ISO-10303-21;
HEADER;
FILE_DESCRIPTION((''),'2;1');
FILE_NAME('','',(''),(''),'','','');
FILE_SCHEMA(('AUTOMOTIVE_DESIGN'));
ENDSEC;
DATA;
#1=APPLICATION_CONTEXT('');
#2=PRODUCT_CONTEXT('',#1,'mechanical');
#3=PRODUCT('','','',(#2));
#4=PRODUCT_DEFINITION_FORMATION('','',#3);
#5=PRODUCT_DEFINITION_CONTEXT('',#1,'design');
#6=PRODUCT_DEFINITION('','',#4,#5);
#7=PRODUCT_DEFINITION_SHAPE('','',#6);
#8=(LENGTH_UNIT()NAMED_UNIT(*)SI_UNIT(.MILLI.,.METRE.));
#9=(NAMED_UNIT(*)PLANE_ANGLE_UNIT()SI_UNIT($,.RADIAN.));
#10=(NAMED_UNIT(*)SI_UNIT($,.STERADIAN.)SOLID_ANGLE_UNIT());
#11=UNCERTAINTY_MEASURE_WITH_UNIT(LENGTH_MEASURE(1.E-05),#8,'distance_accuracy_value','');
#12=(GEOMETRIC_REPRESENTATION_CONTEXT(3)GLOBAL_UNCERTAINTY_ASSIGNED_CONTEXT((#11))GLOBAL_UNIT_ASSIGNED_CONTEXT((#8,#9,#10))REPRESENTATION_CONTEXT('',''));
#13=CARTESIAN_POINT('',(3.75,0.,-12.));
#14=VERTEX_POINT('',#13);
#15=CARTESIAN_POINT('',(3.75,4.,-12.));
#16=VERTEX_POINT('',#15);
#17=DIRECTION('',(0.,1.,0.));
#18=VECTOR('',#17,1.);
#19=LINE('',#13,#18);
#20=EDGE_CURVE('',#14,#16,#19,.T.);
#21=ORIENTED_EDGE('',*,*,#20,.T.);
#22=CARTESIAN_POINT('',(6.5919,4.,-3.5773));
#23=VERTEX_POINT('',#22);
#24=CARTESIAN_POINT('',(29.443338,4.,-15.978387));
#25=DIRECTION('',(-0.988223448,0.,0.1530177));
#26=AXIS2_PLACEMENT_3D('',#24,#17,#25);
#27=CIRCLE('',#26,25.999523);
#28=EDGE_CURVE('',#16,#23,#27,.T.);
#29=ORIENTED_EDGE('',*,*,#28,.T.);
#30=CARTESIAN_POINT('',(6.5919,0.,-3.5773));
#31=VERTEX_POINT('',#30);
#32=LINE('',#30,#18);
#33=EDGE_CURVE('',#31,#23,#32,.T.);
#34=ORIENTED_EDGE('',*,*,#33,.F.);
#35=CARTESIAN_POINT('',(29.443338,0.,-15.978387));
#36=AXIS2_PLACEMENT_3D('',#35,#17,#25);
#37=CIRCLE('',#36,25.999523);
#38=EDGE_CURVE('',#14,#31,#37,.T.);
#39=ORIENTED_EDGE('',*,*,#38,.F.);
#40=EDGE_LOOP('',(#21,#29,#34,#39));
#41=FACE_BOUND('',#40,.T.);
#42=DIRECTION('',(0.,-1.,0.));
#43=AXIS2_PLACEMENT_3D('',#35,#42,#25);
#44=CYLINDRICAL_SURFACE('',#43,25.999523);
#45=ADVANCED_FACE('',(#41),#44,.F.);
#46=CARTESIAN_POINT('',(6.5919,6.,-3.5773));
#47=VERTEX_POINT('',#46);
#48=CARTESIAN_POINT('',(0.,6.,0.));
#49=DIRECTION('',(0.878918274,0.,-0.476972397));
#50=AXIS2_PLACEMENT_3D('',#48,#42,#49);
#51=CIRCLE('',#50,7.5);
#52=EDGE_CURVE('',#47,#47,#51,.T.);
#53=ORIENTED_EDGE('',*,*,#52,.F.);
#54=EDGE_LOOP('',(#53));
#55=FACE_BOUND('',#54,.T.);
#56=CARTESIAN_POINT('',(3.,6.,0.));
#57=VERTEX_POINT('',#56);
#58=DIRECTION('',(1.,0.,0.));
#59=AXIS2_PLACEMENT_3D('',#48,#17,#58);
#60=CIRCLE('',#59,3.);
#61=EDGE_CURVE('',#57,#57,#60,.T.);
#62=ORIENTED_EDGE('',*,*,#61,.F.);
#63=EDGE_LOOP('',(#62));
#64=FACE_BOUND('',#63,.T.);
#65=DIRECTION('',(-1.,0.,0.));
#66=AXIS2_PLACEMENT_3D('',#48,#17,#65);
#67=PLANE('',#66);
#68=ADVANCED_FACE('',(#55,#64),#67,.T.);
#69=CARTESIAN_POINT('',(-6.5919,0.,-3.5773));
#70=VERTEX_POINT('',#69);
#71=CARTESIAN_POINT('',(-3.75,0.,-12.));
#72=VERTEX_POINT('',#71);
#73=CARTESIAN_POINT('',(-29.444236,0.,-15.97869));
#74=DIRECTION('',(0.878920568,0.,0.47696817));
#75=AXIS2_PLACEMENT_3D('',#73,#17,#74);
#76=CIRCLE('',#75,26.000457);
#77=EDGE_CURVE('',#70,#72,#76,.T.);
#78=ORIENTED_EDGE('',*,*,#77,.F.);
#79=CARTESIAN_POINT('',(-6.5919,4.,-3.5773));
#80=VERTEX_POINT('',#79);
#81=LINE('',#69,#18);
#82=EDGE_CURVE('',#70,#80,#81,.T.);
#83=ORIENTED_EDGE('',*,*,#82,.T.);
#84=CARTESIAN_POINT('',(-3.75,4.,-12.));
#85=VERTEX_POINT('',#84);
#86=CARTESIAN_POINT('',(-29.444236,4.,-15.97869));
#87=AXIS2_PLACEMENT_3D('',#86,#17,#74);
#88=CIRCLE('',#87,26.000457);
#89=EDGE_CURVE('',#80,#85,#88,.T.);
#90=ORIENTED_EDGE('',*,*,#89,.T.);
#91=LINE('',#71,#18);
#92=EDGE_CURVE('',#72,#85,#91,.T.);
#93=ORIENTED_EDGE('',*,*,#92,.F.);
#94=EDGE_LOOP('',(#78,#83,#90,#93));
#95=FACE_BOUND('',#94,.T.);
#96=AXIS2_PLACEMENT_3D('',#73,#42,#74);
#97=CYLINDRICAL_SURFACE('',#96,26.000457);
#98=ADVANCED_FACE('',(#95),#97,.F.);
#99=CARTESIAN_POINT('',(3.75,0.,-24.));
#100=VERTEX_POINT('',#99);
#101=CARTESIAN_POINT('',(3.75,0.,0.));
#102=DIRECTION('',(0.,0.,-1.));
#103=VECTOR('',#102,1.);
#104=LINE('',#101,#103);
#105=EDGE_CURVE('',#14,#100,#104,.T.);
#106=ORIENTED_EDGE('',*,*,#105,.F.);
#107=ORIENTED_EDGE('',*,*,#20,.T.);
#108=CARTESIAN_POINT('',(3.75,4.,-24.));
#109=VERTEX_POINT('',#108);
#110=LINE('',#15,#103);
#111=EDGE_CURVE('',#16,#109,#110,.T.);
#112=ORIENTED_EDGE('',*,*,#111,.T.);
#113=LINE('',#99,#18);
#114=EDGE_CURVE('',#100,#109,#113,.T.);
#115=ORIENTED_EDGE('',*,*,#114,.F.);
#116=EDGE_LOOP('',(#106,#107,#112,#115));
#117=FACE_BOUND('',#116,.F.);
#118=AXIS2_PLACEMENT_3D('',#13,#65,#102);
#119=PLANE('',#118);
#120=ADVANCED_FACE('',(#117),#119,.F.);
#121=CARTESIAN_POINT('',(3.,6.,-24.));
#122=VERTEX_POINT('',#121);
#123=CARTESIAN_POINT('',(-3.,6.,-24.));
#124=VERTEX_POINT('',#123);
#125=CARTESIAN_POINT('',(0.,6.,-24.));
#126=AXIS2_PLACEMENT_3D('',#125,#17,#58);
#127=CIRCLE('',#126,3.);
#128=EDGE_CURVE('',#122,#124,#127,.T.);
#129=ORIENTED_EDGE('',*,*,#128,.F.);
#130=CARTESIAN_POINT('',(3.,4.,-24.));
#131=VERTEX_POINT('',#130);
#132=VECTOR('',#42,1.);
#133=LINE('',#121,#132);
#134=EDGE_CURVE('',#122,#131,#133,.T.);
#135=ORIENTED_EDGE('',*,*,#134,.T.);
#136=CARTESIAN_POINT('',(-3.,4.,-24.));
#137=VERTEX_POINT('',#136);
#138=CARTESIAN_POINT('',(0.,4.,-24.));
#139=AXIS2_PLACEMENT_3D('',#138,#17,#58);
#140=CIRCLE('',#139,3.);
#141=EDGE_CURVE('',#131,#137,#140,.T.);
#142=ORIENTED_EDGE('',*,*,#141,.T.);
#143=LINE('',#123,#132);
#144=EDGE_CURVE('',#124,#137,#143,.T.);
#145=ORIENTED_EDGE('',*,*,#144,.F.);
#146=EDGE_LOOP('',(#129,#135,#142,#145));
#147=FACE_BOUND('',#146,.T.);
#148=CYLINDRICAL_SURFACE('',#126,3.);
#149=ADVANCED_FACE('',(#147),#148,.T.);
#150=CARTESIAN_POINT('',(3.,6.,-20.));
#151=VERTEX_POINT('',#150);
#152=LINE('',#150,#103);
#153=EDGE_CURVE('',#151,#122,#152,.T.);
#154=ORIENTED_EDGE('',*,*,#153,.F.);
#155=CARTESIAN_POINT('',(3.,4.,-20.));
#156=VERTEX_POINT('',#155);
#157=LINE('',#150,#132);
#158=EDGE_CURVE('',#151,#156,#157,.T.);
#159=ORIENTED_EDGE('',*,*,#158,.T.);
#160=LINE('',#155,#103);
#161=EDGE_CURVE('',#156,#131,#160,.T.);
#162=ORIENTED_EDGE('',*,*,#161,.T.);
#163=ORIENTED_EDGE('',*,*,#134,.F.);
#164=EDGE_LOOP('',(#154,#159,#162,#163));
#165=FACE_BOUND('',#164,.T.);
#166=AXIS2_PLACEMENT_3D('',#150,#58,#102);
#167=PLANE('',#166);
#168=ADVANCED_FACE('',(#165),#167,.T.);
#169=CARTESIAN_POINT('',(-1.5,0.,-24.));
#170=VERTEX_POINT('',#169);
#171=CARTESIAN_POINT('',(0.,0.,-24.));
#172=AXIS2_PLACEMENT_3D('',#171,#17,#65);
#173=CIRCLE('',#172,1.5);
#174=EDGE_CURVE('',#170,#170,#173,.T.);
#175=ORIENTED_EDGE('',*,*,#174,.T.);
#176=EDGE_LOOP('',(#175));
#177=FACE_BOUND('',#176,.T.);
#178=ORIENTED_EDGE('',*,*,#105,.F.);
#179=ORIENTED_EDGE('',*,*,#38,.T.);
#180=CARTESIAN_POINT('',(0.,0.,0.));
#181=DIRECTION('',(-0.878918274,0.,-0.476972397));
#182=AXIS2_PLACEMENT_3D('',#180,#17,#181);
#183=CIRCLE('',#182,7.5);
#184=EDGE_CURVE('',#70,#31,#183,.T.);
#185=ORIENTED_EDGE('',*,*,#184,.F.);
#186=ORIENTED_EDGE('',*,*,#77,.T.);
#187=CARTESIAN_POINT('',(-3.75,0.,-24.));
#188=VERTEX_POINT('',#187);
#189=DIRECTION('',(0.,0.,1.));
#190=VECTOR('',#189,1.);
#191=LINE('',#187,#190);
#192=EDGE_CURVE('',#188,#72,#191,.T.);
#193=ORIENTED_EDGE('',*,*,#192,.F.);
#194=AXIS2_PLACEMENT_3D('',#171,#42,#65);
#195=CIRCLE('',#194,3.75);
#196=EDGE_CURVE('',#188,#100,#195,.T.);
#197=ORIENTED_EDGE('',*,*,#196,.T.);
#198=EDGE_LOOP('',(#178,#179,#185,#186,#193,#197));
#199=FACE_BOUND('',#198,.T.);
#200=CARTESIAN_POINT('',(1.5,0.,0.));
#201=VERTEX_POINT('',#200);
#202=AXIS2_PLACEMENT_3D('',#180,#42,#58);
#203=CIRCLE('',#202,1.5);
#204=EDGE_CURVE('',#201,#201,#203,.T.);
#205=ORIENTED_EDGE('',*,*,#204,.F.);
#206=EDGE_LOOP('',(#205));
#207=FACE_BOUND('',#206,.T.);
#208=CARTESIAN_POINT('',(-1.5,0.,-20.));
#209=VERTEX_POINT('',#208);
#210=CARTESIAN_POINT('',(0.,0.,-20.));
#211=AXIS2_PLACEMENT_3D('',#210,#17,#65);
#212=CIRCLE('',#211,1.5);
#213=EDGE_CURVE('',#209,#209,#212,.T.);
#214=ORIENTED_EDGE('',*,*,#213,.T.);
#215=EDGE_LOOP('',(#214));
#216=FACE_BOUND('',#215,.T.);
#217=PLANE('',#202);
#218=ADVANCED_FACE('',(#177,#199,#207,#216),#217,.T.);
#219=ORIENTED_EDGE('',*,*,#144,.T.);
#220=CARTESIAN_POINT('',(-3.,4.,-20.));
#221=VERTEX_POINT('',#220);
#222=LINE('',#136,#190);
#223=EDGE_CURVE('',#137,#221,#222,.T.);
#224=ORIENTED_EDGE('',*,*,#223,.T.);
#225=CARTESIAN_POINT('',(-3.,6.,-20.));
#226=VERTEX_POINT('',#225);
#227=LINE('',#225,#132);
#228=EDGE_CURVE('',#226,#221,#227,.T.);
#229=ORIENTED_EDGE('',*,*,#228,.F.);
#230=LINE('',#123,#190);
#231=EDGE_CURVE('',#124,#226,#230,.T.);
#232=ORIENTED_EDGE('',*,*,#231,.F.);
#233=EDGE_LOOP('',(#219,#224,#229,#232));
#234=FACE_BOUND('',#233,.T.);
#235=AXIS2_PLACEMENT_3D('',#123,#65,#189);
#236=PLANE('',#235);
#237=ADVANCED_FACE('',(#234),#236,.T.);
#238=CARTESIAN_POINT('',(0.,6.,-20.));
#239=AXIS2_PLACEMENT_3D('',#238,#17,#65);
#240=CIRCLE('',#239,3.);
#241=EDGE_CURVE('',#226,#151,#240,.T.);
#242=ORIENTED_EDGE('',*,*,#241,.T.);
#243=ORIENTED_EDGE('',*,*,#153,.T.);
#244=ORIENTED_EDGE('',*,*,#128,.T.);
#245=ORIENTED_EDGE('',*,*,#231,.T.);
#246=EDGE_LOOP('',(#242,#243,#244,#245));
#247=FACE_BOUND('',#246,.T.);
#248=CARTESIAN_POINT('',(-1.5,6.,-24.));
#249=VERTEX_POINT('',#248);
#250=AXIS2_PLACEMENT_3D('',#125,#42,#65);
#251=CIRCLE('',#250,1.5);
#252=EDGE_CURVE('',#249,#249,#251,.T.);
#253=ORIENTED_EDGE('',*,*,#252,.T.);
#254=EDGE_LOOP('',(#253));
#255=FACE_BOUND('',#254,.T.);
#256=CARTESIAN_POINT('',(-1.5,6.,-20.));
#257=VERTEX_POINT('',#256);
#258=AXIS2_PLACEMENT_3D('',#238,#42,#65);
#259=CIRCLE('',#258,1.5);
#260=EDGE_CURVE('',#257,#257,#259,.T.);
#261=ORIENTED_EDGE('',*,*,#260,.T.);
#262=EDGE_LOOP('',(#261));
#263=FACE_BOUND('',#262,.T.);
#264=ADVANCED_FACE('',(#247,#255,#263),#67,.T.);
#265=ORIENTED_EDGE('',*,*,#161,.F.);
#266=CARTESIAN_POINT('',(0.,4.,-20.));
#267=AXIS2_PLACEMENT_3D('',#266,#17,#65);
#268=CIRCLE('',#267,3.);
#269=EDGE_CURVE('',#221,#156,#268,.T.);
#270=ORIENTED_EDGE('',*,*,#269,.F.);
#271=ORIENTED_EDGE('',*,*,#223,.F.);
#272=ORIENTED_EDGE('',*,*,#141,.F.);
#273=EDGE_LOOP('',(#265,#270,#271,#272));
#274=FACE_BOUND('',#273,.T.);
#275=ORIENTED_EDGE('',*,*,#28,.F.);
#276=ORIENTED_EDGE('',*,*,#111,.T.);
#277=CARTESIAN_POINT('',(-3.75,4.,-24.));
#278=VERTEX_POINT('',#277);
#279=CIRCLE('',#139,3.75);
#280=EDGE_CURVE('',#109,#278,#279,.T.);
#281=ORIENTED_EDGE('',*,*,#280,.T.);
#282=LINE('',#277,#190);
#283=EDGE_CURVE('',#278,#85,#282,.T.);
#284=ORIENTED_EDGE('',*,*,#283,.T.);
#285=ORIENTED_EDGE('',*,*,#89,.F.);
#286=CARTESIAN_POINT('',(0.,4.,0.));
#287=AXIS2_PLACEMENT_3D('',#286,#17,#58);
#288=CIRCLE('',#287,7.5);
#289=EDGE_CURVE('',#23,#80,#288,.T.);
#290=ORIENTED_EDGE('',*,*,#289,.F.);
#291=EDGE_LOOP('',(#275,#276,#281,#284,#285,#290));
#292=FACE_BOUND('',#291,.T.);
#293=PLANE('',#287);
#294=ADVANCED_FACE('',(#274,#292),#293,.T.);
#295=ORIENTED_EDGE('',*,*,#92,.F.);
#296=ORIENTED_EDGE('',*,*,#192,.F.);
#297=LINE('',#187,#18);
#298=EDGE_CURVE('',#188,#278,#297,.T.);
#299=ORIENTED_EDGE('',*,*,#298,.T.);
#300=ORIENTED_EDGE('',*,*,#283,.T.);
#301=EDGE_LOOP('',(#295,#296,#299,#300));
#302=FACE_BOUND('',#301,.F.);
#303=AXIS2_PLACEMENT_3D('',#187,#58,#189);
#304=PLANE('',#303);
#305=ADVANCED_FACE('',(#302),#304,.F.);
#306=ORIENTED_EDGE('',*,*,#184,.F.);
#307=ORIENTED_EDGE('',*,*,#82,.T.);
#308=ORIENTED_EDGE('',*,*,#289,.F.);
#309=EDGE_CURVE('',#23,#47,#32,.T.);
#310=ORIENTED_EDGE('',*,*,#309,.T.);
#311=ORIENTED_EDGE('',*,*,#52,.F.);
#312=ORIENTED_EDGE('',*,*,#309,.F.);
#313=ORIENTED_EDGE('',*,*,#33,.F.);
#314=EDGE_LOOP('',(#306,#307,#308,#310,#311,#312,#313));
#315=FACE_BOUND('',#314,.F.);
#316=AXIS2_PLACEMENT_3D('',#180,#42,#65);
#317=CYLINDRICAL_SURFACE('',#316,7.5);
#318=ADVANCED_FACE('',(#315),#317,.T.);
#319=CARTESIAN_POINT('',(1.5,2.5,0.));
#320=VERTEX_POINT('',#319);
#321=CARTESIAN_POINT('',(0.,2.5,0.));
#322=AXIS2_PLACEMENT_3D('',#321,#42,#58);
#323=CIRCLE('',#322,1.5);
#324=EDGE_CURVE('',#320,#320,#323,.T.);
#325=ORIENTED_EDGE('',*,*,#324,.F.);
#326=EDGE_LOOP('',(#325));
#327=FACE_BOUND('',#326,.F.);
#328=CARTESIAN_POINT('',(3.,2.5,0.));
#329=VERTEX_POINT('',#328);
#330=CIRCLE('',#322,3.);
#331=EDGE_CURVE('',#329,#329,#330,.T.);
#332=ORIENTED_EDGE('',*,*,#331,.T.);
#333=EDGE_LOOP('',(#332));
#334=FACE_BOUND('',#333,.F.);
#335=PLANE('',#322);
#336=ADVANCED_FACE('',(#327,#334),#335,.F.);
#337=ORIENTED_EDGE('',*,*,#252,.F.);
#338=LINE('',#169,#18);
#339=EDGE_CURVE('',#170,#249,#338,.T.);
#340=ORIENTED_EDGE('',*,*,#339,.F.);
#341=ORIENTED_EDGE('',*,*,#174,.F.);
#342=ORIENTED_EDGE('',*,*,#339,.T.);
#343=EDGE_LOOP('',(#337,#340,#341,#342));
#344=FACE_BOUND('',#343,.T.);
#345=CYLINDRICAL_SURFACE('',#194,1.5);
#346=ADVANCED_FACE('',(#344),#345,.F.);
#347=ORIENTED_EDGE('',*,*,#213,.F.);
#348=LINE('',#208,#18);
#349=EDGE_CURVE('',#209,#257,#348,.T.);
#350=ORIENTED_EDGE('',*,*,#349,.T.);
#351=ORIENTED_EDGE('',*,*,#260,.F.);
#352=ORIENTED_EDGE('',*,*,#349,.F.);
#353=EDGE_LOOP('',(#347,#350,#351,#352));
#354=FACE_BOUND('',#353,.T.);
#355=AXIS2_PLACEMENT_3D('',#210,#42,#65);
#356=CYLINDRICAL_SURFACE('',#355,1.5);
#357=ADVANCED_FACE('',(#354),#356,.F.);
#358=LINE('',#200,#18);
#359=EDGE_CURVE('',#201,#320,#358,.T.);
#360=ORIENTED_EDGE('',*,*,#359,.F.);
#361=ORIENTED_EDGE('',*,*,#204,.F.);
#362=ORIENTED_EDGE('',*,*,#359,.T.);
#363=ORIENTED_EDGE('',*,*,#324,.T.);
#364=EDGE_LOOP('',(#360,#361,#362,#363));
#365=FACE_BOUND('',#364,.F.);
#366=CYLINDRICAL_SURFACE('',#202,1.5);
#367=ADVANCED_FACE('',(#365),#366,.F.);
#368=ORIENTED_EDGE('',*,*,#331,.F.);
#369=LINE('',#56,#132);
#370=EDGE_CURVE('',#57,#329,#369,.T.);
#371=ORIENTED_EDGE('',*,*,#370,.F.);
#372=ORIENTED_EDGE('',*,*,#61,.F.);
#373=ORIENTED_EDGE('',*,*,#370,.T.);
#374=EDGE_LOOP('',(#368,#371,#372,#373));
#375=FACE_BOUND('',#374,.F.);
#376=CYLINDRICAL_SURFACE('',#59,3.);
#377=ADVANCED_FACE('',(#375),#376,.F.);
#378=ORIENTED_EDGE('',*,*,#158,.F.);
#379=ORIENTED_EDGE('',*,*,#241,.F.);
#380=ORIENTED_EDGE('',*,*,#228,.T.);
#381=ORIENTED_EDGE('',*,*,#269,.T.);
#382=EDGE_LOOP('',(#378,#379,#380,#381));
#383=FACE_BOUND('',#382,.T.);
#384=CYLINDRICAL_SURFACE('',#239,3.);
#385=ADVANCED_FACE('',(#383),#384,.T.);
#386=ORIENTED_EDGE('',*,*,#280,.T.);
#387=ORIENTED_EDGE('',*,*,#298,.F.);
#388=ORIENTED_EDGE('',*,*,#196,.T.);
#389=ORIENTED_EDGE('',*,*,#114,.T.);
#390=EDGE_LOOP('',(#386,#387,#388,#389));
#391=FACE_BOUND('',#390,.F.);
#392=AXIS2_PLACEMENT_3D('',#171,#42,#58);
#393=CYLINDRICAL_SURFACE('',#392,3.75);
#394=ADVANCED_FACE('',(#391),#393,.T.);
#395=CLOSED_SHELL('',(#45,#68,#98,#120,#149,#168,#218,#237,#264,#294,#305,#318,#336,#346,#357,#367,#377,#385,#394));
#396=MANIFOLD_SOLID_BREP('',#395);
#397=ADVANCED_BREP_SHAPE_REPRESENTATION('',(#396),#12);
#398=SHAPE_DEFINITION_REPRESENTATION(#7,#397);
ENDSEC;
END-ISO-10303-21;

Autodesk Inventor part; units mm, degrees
ref_plane "YZ Plane" through (0, 0, 0) normal (1, 0, 0) x (0, 1, 0)
ref_plane "XZ Plane" through (0, 0, 0) normal (0, 1, 0) x (-1, 0, 0)
ref_plane "XY Plane" through (0, 0, 0) normal (0, 0, 1) x (1, 0, 0)
sketch "Sketch1" plane through (0, 0, 0) normal (0, 1, 0) x (-1, 0, 0)
  circle A0 centre (0, 0) radius 7.5
  line L0 (0, 0) -> (0, -24) construction
  line L1 (-3.75, 0) -> (-3.75, -24)
  line L2 (3.75, -24) -> (3.75, 0)
  arc A1 (3.75, 0) -> (-3.75, 0) centre (0, 0) ccw
  arc A2 (-3.75, -24) -> (3.75, -24) centre (0, -24) ccw
  arc A3 (6.5919, -3.5773) -> (3.75, -12) centre (29.4438, -15.9785) ccw
  line L3 (0, -34.8) -> (0, 14.55) projected
  arc A4 (-3.75, -12) -> (-6.5919, -3.5773) centre (-29.4438, -15.9785) ccw
  circle A5 centre (0, -24) radius 1.5
  circle A6 centre (0, -20) radius 1.5
  point P0 (0, -12)
  point P1 (-6.5919, -3.5773)
  point P2 (-3.75, -12)
  dimension "d0" = 15
  dimension "d1" = 24
  dimension "d2" = 7.5
  dimension "d3" = 26
  dimension "d4" = 3
  dimension "d5" = 3
  dimension "d6" = 20
extrude "Extrusion1" add sketch "Sketch1" along normal blind 6 contours A0 L2 A1 L3 | A3 L2 A0 | L2 A2 L3 A5 A6 A0 | A0 L3 A1 L2 | L3 A1 L1 A0 | L3 A6 A5 A2 L1 A0 | A0 L1 A1 L3 | A0 L1 A4
sketch "Sketch2" plane through (0, 6, 0) normal (0, 1, 0) x (1, 0, 0)
  circle A0 centre (0, 0) radius 7.5
  arc A1 (-6.5919, 3.5773) -> (6.5919, 3.5773) centre (0, 0) ccw projected
  circle A2 centre (0, 20) radius 1.5 projected
  circle A3 centre (0, 24) radius 1.5 projected
  circle A4 centre (0, 24) radius 1.5 projected
  line L0 (0, 20) -> (0, 24) construction
  line L1 (3, 20) -> (3, 24)
  line L2 (-3, 24) -> (-3, 20)
  arc A5 (-3, 20) -> (3, 20) centre (0, 20) ccw
  arc A6 (3, 24) -> (-3, 24) centre (0, 24) ccw
  arc A7 (-6.5919, 3.5773) -> (6.5919, 3.5773) centre (0, 0) ccw projected
  arc A8 (3.75, 12) -> (6.5919, 3.5773) centre (29.4438, 15.9785) ccw projected
  line L3 (3.75, 12) -> (3.75, 24) projected
  arc A9 (3.75, 24) -> (-3.75, 24) centre (0, 24) ccw projected
  line L4 (-3.75, 24) -> (-3.75, 12) projected
  arc A10 (-6.5919, 3.5773) -> (-3.75, 12) centre (-29.4438, 15.9785) ccw projected
  circle A11 centre (0, 20) radius 1.5 projected
  circle A12 centre (0, 24) radius 1.5 projected
  point P0 (0, 22)
  point P1 (-6.5919, 3.5773)
  point P2 (6.5919, 3.5773)
  dimension "d9" = 6
extrude "Extrusion2" cut sketch "Sketch2" against normal blind 2 contours A0 A10 L4 A9 L3 A8
sketch "Sketch3" plane through (0, 6, 0) normal (0, 1, 0) x (1, 0, 0)
  circle A0 centre (0, 0) radius 3
  dimension "d12" = 6
extrude "Extrusion3" cut sketch "Sketch3" against normal through all
sketch "Sketch4" plane through (0, 0, 0) normal (0, -1, 0) x (1, 0, 0)
  circle A0 centre (0, 0) radius 1.5
  circle A1 centre (0, 0) radius 3 projected
  dimension "d15" = 3
extrude "Extrusion4" add sketch "Sketch4" against normal blind 2.5
properties part number "ServoArm" material "Stainless Steel"
